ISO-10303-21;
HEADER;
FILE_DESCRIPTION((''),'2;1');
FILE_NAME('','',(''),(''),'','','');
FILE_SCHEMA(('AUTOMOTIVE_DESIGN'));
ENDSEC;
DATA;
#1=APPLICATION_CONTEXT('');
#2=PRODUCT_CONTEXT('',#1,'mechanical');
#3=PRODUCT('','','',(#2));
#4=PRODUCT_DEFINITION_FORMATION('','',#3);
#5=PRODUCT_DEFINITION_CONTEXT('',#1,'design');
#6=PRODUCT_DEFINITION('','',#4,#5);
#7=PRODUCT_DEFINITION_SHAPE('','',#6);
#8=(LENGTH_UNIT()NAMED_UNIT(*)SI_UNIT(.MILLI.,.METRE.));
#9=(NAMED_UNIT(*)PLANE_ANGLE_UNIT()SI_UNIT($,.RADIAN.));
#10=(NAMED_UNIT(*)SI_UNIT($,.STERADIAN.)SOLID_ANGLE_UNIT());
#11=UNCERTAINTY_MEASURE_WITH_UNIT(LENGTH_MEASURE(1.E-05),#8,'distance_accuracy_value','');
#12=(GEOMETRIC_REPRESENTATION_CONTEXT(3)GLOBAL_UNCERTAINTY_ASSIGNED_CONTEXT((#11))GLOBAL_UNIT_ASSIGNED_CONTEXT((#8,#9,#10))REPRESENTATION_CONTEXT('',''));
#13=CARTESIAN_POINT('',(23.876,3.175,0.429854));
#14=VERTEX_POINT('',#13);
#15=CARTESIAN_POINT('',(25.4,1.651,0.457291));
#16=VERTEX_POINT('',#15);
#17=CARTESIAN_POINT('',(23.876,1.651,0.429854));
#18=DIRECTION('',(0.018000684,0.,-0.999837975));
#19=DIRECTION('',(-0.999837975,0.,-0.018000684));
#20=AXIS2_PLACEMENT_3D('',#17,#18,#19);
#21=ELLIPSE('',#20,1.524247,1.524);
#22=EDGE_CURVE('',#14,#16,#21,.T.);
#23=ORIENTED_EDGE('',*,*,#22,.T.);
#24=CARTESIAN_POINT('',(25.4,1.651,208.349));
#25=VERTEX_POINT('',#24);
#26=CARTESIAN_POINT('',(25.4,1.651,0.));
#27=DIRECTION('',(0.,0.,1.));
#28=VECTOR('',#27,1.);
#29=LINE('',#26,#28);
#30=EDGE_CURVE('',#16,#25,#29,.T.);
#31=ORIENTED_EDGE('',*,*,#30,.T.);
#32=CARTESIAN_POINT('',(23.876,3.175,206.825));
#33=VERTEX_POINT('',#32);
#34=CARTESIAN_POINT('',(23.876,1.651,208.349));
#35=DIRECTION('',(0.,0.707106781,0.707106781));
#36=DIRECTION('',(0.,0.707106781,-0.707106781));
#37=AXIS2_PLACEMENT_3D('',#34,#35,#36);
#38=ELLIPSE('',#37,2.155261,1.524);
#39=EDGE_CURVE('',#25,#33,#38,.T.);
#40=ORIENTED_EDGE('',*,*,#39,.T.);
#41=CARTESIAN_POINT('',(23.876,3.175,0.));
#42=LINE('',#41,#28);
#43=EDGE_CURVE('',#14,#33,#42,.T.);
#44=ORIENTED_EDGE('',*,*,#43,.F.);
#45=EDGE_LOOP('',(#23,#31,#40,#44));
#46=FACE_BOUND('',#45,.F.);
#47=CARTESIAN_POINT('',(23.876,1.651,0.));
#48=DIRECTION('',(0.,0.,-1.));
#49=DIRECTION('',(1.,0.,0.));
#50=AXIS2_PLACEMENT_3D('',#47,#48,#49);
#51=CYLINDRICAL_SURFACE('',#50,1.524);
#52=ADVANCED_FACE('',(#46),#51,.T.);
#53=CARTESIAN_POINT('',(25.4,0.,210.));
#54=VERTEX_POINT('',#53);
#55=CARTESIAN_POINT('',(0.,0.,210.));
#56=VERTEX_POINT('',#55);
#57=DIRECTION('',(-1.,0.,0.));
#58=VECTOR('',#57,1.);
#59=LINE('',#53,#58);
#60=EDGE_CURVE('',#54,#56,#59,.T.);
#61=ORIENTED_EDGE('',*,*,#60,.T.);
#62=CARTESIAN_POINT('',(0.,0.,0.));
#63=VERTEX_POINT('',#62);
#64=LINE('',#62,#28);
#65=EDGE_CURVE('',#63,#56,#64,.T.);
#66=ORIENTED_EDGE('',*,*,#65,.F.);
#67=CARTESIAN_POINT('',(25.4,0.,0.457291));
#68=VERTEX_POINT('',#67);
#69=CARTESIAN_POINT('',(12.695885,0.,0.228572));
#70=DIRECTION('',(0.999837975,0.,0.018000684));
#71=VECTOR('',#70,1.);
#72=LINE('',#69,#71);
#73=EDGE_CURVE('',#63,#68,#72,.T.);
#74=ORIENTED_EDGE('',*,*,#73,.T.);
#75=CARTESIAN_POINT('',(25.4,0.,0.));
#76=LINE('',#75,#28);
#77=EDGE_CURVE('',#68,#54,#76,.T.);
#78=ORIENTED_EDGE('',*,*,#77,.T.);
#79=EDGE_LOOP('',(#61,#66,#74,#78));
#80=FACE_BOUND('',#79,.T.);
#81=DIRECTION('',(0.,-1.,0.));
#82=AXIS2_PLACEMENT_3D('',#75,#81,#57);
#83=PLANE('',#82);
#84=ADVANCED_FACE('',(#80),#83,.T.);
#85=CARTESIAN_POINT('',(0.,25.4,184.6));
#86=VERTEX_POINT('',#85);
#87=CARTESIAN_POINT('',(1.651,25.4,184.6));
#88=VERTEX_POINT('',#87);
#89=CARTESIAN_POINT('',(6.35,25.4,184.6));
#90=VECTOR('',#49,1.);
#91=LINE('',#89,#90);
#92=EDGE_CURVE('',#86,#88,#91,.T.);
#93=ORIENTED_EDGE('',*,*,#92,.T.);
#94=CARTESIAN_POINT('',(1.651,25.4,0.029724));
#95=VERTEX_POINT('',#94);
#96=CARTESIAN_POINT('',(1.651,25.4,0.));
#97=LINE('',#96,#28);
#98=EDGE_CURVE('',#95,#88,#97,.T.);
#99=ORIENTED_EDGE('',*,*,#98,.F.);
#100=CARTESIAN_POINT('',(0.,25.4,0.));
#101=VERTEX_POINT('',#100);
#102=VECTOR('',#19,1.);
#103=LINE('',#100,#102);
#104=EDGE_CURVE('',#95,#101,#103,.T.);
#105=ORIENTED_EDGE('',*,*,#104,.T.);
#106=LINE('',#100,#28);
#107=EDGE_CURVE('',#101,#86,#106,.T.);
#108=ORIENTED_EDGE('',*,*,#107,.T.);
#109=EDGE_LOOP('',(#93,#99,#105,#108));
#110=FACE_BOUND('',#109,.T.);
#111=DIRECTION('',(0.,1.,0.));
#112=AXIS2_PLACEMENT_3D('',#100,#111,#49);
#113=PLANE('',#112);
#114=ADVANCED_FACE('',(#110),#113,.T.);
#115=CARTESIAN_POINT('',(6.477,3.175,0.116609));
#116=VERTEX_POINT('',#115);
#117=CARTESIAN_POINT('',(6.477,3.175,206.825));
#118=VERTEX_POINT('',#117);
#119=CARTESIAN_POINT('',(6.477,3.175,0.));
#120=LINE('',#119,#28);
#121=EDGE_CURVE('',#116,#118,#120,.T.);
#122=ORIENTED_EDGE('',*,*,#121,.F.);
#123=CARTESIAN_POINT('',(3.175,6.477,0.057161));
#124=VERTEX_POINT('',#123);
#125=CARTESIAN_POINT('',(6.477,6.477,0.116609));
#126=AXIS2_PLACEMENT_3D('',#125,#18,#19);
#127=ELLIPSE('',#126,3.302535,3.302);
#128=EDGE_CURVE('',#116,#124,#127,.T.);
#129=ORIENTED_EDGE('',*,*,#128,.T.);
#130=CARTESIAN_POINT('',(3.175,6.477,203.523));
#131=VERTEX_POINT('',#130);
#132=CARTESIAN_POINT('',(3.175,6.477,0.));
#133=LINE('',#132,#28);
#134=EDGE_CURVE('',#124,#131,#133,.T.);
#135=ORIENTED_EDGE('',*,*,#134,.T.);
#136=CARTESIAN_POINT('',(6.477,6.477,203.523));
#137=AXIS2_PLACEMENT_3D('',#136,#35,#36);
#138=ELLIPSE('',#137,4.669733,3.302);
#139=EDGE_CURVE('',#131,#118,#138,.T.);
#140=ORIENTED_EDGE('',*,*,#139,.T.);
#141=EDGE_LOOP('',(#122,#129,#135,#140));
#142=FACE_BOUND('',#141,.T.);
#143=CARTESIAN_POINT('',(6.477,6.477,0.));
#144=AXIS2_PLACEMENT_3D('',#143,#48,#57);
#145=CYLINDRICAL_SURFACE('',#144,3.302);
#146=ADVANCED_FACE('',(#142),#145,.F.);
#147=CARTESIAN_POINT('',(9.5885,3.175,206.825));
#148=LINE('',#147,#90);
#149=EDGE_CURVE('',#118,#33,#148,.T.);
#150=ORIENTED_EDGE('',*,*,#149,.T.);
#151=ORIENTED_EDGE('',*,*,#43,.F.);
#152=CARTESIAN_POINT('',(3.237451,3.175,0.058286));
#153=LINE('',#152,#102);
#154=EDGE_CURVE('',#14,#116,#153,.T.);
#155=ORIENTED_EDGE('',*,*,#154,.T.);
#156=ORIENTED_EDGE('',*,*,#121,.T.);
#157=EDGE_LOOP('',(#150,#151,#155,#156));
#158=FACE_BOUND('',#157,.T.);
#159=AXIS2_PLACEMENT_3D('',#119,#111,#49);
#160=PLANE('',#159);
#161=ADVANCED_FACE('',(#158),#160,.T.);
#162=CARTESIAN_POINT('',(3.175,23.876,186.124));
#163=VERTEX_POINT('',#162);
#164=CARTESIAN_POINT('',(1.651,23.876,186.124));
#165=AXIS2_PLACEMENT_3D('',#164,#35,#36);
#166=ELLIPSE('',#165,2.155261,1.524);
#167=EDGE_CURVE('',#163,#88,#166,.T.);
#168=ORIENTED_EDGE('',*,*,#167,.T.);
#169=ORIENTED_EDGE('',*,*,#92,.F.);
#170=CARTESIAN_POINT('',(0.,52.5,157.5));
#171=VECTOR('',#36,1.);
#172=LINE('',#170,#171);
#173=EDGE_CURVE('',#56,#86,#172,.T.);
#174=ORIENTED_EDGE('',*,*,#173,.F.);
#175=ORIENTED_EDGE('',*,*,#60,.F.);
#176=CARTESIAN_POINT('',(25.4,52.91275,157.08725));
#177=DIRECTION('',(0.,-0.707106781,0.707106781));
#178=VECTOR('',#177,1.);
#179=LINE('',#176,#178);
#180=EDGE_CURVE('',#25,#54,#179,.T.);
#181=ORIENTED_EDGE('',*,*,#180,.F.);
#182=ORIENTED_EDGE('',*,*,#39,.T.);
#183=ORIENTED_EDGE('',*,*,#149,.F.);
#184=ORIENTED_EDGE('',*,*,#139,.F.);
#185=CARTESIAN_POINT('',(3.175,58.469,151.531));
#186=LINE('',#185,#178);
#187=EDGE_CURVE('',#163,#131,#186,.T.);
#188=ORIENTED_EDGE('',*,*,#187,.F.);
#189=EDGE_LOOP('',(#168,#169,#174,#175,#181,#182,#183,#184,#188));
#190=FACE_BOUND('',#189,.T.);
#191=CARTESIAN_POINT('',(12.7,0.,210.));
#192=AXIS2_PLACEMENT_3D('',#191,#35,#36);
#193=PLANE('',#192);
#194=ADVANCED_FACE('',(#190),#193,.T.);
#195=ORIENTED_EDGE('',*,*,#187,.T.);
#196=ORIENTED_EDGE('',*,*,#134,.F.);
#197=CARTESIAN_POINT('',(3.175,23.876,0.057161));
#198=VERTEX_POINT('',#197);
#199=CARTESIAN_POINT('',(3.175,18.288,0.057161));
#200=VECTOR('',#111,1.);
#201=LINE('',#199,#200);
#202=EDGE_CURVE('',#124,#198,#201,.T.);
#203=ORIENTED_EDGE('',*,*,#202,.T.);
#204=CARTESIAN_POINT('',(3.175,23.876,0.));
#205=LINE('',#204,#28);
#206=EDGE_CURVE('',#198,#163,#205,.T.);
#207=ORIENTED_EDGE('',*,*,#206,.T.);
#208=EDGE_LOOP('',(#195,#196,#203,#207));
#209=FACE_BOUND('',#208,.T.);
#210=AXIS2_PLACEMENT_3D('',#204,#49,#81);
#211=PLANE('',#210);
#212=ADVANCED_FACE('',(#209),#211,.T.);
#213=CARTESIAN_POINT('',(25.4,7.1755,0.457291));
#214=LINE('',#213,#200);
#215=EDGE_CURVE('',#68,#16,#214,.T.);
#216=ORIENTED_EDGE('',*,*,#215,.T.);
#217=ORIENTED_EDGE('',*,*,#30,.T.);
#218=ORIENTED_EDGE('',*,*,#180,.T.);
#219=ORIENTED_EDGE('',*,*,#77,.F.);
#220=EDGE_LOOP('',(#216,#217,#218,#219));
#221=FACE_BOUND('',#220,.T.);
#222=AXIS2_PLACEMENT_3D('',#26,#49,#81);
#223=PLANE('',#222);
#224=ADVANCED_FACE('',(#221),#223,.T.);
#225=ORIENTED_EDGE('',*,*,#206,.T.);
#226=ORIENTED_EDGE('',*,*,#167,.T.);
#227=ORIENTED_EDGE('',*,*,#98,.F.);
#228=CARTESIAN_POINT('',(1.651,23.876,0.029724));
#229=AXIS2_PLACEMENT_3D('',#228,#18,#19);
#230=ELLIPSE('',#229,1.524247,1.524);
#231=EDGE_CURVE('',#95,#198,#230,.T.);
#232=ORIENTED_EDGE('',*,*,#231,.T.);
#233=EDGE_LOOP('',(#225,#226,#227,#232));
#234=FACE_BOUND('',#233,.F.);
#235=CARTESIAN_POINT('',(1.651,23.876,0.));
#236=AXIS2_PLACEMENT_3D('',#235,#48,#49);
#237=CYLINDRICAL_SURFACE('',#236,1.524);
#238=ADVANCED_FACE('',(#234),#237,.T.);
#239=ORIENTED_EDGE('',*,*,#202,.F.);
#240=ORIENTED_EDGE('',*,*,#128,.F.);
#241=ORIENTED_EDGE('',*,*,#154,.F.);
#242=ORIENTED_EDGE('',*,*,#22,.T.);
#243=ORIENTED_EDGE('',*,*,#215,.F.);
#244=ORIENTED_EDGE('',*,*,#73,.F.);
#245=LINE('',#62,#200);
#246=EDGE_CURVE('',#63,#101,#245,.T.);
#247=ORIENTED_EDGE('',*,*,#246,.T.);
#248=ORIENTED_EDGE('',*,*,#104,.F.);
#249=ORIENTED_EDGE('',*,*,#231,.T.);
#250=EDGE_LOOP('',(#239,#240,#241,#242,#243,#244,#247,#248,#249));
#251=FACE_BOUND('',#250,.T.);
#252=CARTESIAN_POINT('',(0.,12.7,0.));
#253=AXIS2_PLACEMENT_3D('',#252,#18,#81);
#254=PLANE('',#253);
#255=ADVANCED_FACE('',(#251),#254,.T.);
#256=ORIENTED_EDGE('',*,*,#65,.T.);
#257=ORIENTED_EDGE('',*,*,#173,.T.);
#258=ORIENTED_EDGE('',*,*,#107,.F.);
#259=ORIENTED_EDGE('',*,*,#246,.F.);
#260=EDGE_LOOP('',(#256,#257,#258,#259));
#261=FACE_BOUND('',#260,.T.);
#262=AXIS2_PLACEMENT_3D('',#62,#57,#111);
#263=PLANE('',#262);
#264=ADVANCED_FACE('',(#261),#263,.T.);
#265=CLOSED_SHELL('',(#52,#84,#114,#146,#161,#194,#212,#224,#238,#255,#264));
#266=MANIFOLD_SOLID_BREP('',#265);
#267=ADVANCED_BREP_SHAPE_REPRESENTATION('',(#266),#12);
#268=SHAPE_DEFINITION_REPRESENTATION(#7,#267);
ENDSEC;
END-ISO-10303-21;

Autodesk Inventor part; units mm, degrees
ref_plane "Start Plane" through (0, 0, 0) normal (0, 0, 1) x (1, 0, 0)
ref_plane "End Plane" through (0, 0, 210) normal (0, 0, 1) x (1, 0, 0)
sketch "Sketch" plane through (0, 0, 0) normal (0, 0, 1) x (1, 0, 0)
  line L0 (25.4, 0) -> (0, 0)
  line L1 (0, 0) -> (0, 25.4)
  line L2 (0, 25.4) -> (1.651, 25.4)
  line L3 (3.175, 23.876) -> (3.175, 6.477)
  line L4 (6.477, 3.175) -> (23.876, 3.175)
  line L5 (25.4, 1.651) -> (25.4, 0)
  line L6 (0, -11.0414) -> (0, 31.5385) construction
  line L7 (-11.0414, 0) -> (31.5385, 0) construction
  arc A0 (3.175, 6.477) -> (6.477, 3.175) centre (6.477, 6.477) ccw
  arc A1 (3.175, 23.876) -> (1.651, 25.4) centre (1.651, 23.876) ccw
  arc A2 (25.4, 1.651) -> (23.876, 3.175) centre (23.876, 1.651) ccw
  line L8 (0, 40.0545) -> (0, -19.5574) construction
  line L9 (-19.5574, 0) -> (40.0545, 0) construction
  point P0 (3.175, 25.4)
  point P1 (3.175, 3.175)
  point P2 (25.4, 3.175)
  dimension "d0" = 25.4
  dimension "d1" = 25.4
  dimension "d2" = 3.175
  dimension "d3" = 3.175
  dimension "d10" = 0
  dimension "d11" = 0
  dimension "d14" = 3.302
  dimension "d15" = 1.524
extrude "Body" add sketch "Sketch" along normal up to surface (210 mm away) from surface at 0
sketch "Sketch3" plane through (0, 0, 0) normal (0, 0, 1) x (1, 0, 0)
  line L0 (0, 0) -> (10, 0)
ref_plane "Work Plane3" through (0, 0, 0) normal (0, -1, 0) x (1, 0, 0)
ref_plane "Work Plane4" through (0, 12.7, 0) normal (0.018, 0, -0.9998) x (-0.9998, 0, -0.018)
split "Split1" plane through (0, 12.7, 0) removes the side toward (0.018, 0, -0.9998)
ref_plane "Work Plane8" through (12.7, 0, 210) normal (0, 0.7071, 0.7071) x (1, 0, 0)
split "Split2" plane through (12.7, 0, 210) removes the side toward (0, 0.7071, 0.7071)
sketch "Sketch4" plane through (0, 0, 0) normal (0, -1, 0) x (1, 0, 0)
  line L0 (-2, 0) -> (12, 0) projected
  line L1 (-2, 210) -> (12, 210) projected
  dimension "d17" = 210
equation "\"d0\" = G_H"
equation "\"d1\" = G_H"
equation "\"d2\" = G_T"
equation "\"d3\" = G_T"
equation "\"d14\" = G_IR"
equation "\"d15\" = G_ER"
equation "\"d4\" = G_L"
equation "\"G_H\" = 25.4"
equation "\"G_T\" = 3.175"
equation "\"G_ER\" = 1.524"
equation "\"G_IR\" = 3.302"
equation "\"G_L\" = d17"
equation "\"ex\" = 0"
equation "\"G_OFFSET_START\" = 0"
equation "\"G_OFFSET_END\" = 0"
equation "\"d13\" = G_OFFSET_END + B_L"
equation "\"B_L\" = 210"
properties part number "AISC - L 1 x 1 x 1/8 - 8.268" material "Steel, Mild"
